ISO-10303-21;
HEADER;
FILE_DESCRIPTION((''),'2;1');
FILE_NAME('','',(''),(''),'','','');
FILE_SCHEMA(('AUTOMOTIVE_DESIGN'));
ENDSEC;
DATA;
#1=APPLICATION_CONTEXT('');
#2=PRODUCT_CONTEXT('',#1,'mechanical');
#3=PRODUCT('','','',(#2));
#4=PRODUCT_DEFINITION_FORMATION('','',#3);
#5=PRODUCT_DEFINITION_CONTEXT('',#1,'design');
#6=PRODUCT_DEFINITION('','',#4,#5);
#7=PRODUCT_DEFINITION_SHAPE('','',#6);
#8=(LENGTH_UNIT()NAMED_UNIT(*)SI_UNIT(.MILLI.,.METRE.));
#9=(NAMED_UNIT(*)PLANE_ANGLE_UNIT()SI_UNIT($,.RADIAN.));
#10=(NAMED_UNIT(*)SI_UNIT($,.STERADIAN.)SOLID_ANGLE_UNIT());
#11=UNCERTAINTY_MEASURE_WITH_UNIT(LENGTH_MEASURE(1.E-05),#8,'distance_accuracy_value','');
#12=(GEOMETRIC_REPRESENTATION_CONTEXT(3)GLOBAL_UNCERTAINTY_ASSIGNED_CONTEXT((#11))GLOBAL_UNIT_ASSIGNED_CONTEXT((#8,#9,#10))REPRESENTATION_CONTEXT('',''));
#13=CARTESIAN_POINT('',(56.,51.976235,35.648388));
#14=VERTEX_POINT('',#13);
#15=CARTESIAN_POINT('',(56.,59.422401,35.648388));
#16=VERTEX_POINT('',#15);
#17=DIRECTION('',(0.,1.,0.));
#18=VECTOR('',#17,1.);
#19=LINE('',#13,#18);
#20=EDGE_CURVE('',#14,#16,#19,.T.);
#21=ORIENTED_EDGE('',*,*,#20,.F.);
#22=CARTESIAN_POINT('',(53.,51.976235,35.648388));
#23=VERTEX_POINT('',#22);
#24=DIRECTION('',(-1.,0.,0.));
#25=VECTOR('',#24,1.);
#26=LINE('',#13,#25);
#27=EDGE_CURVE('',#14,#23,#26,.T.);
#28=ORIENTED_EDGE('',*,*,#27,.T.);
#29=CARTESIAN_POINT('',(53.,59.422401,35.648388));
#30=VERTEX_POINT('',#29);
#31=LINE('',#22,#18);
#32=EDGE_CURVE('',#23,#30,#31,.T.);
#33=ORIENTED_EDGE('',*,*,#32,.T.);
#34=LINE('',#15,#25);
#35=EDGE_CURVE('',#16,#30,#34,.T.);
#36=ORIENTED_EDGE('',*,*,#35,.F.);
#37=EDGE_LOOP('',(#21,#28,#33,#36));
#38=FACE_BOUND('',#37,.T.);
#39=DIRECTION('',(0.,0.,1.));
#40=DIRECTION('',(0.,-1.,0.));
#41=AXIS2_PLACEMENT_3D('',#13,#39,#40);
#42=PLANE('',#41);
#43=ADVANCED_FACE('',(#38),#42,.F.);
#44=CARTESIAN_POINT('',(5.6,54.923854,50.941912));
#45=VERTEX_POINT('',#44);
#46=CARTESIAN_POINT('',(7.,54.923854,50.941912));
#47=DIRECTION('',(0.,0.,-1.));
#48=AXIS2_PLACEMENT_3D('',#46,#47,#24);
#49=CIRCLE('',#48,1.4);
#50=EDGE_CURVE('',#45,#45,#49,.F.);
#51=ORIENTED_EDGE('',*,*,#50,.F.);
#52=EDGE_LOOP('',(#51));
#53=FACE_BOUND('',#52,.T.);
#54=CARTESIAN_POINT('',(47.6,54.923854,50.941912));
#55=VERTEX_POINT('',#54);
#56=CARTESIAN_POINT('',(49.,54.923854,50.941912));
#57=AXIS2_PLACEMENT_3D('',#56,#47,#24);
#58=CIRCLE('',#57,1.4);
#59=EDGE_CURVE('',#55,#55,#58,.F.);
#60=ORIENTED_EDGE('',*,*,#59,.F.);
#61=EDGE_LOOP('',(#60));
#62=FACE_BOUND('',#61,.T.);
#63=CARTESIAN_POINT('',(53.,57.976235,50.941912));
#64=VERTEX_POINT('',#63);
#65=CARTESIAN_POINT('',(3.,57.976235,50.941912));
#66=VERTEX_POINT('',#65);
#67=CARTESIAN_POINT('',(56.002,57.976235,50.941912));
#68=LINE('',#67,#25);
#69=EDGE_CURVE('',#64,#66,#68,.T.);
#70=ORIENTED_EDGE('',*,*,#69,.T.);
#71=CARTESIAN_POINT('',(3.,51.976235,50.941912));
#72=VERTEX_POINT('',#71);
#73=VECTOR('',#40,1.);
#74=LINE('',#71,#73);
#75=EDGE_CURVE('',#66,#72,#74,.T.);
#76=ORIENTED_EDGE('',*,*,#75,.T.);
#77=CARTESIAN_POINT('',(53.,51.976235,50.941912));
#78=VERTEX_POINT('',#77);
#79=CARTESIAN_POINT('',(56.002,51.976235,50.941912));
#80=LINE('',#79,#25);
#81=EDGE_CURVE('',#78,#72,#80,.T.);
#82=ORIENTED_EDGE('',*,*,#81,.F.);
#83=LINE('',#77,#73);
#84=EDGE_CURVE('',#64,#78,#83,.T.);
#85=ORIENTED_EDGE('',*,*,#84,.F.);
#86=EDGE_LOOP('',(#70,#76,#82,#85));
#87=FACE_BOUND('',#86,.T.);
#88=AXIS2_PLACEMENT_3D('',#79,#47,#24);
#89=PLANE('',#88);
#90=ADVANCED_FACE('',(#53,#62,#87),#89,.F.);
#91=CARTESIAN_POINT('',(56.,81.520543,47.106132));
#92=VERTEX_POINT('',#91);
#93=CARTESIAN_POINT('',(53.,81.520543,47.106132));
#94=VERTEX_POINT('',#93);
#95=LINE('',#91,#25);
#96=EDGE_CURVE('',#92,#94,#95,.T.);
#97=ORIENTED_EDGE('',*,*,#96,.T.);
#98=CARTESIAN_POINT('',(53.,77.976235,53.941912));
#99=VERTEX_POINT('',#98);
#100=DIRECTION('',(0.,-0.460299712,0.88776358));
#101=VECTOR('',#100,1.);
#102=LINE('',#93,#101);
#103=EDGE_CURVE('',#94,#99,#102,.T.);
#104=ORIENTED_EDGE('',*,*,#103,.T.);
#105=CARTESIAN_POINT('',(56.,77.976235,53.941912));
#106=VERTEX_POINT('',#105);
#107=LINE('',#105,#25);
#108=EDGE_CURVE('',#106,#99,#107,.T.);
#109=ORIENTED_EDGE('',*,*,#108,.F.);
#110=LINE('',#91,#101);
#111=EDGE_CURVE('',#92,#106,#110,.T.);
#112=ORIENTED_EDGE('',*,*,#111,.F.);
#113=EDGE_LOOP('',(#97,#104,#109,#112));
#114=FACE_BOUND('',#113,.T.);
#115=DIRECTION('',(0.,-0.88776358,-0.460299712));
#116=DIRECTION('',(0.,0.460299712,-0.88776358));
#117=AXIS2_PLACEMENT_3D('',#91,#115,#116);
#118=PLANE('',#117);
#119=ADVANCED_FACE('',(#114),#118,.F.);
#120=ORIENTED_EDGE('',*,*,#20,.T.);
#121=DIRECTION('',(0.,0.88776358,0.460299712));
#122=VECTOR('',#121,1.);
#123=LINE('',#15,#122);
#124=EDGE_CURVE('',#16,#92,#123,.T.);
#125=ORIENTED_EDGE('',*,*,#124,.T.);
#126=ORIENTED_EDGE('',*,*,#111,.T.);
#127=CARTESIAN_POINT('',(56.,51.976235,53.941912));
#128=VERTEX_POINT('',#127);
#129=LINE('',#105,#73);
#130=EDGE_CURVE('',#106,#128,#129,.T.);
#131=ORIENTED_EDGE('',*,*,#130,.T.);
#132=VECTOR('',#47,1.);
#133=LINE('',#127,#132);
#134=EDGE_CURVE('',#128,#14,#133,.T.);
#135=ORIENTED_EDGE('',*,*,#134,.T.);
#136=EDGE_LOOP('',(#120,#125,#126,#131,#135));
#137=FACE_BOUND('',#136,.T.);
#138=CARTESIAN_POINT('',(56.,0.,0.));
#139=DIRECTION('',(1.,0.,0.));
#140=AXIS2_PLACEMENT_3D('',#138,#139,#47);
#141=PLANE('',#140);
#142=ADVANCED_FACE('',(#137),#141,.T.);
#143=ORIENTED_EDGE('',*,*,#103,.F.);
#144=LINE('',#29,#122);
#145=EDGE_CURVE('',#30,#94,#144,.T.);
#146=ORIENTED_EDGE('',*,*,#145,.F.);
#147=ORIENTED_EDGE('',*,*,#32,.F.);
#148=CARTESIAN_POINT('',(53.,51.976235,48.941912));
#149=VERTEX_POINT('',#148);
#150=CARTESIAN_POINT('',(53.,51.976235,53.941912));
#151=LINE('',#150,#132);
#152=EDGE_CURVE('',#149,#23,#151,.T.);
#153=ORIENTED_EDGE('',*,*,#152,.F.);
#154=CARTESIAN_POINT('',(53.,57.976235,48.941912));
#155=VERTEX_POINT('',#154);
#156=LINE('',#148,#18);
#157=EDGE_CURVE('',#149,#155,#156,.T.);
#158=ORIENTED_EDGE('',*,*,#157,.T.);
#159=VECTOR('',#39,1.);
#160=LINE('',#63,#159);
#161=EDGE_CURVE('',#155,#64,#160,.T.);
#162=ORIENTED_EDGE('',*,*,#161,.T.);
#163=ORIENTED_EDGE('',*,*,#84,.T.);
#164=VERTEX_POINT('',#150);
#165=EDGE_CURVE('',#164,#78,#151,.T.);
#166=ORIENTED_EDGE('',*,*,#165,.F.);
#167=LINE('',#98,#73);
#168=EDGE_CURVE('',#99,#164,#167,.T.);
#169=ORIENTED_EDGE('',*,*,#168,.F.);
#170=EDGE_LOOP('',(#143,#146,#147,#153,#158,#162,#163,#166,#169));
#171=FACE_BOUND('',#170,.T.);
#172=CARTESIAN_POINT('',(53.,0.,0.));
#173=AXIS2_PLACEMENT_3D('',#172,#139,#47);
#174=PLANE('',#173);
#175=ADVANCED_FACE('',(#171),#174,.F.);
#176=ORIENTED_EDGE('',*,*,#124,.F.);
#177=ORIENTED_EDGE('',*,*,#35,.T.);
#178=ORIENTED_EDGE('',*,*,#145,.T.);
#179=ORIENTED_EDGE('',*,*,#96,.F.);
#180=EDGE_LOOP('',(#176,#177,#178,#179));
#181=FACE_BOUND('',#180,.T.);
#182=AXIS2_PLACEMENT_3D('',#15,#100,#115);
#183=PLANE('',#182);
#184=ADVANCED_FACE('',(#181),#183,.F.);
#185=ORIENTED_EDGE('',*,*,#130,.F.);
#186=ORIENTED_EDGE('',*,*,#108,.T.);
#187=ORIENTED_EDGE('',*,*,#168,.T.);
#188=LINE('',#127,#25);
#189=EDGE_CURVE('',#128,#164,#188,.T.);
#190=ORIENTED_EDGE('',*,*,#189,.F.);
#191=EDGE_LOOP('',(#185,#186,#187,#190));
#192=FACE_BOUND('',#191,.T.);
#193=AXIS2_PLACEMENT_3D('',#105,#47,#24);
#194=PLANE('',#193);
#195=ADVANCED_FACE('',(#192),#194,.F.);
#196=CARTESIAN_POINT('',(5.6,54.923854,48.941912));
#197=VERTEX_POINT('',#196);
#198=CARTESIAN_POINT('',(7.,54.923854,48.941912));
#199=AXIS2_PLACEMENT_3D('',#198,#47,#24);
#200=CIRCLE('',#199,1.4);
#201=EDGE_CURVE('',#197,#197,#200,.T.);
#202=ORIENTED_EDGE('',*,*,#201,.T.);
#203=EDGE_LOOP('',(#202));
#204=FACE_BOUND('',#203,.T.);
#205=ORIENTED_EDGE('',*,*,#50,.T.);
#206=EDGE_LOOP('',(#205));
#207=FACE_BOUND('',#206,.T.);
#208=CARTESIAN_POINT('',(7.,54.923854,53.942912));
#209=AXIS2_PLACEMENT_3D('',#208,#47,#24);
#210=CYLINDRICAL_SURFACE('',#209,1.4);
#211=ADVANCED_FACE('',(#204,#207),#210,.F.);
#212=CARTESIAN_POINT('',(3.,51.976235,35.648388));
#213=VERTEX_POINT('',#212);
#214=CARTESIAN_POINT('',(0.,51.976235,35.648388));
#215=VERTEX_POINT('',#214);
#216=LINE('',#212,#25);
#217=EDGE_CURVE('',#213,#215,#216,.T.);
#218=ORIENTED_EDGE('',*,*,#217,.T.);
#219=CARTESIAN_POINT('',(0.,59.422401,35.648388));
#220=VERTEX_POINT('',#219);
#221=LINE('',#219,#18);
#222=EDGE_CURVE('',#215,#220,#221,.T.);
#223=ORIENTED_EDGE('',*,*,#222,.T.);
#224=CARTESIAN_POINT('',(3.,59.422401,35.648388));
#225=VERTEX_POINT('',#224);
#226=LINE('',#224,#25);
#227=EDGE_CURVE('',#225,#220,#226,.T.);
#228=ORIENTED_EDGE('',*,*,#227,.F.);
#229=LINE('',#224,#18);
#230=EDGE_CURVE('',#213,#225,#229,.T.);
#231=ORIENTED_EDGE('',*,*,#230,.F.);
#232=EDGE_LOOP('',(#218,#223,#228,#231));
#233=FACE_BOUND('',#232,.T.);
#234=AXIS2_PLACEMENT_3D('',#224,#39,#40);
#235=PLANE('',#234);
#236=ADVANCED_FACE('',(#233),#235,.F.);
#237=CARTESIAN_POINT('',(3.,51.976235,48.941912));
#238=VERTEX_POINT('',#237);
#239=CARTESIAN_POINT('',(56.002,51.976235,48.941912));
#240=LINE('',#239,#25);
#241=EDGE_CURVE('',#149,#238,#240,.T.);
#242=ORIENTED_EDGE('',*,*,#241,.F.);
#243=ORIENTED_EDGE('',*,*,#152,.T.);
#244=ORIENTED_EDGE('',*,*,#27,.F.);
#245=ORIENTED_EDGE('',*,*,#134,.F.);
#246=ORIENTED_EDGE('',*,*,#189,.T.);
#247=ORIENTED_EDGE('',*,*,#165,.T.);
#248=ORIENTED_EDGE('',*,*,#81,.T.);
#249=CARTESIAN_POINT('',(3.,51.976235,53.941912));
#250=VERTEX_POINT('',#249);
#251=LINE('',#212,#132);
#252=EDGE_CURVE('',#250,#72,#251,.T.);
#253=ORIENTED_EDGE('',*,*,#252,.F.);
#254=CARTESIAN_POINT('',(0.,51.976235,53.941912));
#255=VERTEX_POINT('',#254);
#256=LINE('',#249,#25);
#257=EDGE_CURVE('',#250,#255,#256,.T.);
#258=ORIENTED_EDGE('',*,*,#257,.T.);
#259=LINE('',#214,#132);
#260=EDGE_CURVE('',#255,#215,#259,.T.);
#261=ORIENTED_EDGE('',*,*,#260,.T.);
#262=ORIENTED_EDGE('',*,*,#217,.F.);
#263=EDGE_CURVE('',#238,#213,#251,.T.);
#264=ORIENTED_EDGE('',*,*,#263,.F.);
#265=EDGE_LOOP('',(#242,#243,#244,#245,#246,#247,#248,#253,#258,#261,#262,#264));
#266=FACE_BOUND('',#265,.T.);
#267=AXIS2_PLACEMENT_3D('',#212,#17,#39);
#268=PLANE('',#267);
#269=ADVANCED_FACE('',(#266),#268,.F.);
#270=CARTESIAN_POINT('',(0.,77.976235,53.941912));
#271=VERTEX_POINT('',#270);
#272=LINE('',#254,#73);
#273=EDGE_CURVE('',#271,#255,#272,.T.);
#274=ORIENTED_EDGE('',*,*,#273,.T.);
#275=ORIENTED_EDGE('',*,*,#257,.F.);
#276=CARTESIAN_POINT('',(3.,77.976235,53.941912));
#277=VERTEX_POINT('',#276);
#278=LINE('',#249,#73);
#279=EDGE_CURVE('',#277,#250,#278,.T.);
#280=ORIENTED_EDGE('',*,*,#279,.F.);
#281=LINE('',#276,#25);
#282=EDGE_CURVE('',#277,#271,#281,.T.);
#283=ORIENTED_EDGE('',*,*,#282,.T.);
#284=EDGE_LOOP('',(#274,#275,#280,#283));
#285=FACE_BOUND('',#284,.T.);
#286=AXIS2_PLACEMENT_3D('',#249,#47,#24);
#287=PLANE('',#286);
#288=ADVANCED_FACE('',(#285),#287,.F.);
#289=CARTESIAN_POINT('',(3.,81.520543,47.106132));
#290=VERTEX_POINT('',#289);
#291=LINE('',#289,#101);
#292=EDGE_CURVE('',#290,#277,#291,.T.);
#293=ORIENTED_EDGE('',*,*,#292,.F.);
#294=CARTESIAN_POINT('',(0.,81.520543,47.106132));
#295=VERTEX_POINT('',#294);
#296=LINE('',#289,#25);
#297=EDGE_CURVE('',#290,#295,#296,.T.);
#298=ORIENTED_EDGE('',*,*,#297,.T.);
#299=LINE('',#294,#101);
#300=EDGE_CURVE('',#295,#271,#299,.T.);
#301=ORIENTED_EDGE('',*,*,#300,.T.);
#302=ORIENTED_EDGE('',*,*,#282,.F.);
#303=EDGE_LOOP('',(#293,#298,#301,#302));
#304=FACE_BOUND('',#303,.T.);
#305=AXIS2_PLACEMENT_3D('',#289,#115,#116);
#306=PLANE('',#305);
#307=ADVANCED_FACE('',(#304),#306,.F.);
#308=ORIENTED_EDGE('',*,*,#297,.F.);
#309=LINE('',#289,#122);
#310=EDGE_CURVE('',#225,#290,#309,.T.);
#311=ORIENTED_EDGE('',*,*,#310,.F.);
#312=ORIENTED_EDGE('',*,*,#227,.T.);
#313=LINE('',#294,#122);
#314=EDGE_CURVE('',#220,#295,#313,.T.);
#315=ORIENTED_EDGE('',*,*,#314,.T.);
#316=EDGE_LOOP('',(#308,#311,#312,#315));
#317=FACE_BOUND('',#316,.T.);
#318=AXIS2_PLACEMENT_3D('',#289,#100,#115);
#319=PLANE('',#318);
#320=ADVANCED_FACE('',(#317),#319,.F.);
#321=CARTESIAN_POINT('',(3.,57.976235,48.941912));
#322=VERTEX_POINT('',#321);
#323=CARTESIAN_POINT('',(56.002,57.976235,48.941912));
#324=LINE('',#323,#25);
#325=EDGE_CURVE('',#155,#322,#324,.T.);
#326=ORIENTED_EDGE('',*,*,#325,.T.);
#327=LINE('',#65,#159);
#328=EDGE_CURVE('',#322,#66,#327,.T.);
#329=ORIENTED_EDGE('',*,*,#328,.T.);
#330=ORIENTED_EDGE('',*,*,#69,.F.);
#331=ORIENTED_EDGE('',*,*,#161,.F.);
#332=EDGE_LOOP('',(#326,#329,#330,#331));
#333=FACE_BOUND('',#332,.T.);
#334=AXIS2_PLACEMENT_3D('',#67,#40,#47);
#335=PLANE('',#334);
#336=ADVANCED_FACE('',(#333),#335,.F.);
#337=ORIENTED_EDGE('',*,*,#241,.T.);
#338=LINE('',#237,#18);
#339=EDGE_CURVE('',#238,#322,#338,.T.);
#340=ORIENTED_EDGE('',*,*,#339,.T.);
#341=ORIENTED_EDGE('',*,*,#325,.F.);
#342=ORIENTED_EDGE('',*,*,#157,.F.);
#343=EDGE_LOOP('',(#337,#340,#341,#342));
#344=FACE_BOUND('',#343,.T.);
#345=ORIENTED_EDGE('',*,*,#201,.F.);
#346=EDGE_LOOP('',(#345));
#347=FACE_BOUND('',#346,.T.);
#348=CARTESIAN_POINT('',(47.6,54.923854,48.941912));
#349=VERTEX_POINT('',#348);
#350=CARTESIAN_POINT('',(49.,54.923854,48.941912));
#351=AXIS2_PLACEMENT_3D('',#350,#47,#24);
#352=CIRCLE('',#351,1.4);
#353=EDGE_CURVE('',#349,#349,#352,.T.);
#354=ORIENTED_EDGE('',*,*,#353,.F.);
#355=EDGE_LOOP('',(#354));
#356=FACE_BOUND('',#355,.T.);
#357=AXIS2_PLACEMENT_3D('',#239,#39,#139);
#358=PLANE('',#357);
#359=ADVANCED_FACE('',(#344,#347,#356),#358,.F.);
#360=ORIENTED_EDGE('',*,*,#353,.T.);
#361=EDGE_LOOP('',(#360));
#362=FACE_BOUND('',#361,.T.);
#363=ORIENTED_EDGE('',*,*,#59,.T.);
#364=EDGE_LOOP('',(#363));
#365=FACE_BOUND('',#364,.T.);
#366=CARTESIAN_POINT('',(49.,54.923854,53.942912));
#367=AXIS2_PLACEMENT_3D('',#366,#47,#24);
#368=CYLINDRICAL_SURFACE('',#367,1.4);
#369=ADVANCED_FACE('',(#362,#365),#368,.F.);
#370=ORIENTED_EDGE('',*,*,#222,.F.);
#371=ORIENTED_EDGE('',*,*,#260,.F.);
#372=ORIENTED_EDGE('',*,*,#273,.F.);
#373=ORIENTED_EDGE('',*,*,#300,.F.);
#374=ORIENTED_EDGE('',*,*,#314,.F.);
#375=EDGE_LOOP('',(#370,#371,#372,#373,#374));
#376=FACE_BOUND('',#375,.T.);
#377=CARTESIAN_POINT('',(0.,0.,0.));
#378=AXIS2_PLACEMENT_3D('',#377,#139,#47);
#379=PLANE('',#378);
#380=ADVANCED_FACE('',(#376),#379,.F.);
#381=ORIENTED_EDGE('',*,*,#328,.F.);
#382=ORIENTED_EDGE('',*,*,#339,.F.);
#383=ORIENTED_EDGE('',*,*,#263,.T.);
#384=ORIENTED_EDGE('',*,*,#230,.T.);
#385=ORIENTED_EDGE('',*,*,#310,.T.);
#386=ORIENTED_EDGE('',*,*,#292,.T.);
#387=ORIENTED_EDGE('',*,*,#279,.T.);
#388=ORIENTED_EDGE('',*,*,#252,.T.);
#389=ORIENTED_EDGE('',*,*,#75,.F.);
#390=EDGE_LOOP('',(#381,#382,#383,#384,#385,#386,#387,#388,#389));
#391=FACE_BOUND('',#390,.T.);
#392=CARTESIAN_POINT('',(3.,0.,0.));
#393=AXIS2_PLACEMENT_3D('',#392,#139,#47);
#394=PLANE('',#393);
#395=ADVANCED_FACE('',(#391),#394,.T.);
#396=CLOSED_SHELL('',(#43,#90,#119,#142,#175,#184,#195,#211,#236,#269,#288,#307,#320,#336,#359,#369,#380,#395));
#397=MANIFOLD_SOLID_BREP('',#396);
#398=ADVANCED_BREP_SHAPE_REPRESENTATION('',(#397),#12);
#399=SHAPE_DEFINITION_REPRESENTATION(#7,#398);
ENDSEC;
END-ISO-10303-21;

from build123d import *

# Parameters (mm, degrees)
EXTRUDE_1_DEPTH     = 3
EXTRUDE_2_DEPTH     = 3
EXTRUDE_3_REACH     = 113.195
SKETCH_5_W          = 2
SKETCH_5_H          = 6
CUT_EXTRUDE_1_REACH = 101.791
SKETCH_8_R          = 1.4


with BuildPart() as part:
    # 草图2 → 凸台-拉伸1 (new body)
    with BuildSketch(Plane(origin=(0, 0, 0), x_dir=(0, 0, -1), z_dir=(1, 0, 0))):
        Polygon((-47.106132348, 81.520542784), (-35.64838785, 59.42240106), (-35.64838785, 51.976234999), (-53.941911918, 51.976234999), (-53.941911918, 77.976234999), align=None)
    extrude(amount=EXTRUDE_1_DEPTH)


with BuildPart() as body_2:
    # 草图3 → 凸台-拉伸2 (new body)
    with BuildSketch(Plane(origin=(53, 0, 0), x_dir=(0, 0, -1), z_dir=(1, 0, 0))):
        Polygon((-47.106132348, 81.520542784), (-53.941911918, 77.976234999), (-53.941911918, 51.976234999), (-35.64838785, 51.976234999), (-35.64838785, 59.42240106), align=None)
    extrude(amount=EXTRUDE_2_DEPTH)

    # 草图5 → 凸台-拉伸3 (add, up to next)
    with BuildSketch(Plane(origin=(3, 0, 0), x_dir=(0, 0, -1), z_dir=(1, 0, 0)), mode=Mode.PRIVATE) as extrude_3_sk1:
        with Locations((-49.941911918, 54.976234999)):
            Rectangle(SKETCH_5_W, SKETCH_5_H)
    extrude_3_tool1 = extrude(extrude_3_sk1.sketch, amount=EXTRUDE_3_REACH, mode=Mode.PRIVATE) - body_2.part

    add(part.part)  # 凸台-拉伸3 merges part
    add(extrude_3_tool1.solids().sort_by_distance((3, 54.976235, 49.941912))[0])

    # 草图8 → 切除-拉伸1 (cut, up to next)
    with BuildSketch(Plane(origin=(0, 0, 48.941911918), x_dir=(-1, 0, 0), z_dir=(0, 0, -1)), mode=Mode.PRIVATE) as cut_extrude_1_sk1:
        with Locations((-49, 54.923853845)):
            Circle(SKETCH_8_R)
    cut_extrude_1_tool1 = extrude(cut_extrude_1_sk1.sketch, amount=-CUT_EXTRUDE_1_REACH, mode=Mode.PRIVATE) & body_2.part
    # 草图8 → 切除-拉伸1 (cut, up to next)
    with BuildSketch(Plane(origin=(0, 0, 48.941911918), x_dir=(-1, 0, 0), z_dir=(0, 0, -1)), mode=Mode.PRIVATE) as cut_extrude_1_sk2:
        with Locations((-7, 54.923853845)):
            Circle(SKETCH_8_R)
    cut_extrude_1_tool2 = extrude(cut_extrude_1_sk2.sketch, amount=-CUT_EXTRUDE_1_REACH, mode=Mode.PRIVATE) & body_2.part
    add(cut_extrude_1_tool1.solids().sort_by_distance((49, 54.923854, 48.941912))[0], mode=Mode.SUBTRACT)
    add(cut_extrude_1_tool2.solids().sort_by_distance((7, 54.923854, 48.941912))[0], mode=Mode.SUBTRACT)


solid = body_2.part
